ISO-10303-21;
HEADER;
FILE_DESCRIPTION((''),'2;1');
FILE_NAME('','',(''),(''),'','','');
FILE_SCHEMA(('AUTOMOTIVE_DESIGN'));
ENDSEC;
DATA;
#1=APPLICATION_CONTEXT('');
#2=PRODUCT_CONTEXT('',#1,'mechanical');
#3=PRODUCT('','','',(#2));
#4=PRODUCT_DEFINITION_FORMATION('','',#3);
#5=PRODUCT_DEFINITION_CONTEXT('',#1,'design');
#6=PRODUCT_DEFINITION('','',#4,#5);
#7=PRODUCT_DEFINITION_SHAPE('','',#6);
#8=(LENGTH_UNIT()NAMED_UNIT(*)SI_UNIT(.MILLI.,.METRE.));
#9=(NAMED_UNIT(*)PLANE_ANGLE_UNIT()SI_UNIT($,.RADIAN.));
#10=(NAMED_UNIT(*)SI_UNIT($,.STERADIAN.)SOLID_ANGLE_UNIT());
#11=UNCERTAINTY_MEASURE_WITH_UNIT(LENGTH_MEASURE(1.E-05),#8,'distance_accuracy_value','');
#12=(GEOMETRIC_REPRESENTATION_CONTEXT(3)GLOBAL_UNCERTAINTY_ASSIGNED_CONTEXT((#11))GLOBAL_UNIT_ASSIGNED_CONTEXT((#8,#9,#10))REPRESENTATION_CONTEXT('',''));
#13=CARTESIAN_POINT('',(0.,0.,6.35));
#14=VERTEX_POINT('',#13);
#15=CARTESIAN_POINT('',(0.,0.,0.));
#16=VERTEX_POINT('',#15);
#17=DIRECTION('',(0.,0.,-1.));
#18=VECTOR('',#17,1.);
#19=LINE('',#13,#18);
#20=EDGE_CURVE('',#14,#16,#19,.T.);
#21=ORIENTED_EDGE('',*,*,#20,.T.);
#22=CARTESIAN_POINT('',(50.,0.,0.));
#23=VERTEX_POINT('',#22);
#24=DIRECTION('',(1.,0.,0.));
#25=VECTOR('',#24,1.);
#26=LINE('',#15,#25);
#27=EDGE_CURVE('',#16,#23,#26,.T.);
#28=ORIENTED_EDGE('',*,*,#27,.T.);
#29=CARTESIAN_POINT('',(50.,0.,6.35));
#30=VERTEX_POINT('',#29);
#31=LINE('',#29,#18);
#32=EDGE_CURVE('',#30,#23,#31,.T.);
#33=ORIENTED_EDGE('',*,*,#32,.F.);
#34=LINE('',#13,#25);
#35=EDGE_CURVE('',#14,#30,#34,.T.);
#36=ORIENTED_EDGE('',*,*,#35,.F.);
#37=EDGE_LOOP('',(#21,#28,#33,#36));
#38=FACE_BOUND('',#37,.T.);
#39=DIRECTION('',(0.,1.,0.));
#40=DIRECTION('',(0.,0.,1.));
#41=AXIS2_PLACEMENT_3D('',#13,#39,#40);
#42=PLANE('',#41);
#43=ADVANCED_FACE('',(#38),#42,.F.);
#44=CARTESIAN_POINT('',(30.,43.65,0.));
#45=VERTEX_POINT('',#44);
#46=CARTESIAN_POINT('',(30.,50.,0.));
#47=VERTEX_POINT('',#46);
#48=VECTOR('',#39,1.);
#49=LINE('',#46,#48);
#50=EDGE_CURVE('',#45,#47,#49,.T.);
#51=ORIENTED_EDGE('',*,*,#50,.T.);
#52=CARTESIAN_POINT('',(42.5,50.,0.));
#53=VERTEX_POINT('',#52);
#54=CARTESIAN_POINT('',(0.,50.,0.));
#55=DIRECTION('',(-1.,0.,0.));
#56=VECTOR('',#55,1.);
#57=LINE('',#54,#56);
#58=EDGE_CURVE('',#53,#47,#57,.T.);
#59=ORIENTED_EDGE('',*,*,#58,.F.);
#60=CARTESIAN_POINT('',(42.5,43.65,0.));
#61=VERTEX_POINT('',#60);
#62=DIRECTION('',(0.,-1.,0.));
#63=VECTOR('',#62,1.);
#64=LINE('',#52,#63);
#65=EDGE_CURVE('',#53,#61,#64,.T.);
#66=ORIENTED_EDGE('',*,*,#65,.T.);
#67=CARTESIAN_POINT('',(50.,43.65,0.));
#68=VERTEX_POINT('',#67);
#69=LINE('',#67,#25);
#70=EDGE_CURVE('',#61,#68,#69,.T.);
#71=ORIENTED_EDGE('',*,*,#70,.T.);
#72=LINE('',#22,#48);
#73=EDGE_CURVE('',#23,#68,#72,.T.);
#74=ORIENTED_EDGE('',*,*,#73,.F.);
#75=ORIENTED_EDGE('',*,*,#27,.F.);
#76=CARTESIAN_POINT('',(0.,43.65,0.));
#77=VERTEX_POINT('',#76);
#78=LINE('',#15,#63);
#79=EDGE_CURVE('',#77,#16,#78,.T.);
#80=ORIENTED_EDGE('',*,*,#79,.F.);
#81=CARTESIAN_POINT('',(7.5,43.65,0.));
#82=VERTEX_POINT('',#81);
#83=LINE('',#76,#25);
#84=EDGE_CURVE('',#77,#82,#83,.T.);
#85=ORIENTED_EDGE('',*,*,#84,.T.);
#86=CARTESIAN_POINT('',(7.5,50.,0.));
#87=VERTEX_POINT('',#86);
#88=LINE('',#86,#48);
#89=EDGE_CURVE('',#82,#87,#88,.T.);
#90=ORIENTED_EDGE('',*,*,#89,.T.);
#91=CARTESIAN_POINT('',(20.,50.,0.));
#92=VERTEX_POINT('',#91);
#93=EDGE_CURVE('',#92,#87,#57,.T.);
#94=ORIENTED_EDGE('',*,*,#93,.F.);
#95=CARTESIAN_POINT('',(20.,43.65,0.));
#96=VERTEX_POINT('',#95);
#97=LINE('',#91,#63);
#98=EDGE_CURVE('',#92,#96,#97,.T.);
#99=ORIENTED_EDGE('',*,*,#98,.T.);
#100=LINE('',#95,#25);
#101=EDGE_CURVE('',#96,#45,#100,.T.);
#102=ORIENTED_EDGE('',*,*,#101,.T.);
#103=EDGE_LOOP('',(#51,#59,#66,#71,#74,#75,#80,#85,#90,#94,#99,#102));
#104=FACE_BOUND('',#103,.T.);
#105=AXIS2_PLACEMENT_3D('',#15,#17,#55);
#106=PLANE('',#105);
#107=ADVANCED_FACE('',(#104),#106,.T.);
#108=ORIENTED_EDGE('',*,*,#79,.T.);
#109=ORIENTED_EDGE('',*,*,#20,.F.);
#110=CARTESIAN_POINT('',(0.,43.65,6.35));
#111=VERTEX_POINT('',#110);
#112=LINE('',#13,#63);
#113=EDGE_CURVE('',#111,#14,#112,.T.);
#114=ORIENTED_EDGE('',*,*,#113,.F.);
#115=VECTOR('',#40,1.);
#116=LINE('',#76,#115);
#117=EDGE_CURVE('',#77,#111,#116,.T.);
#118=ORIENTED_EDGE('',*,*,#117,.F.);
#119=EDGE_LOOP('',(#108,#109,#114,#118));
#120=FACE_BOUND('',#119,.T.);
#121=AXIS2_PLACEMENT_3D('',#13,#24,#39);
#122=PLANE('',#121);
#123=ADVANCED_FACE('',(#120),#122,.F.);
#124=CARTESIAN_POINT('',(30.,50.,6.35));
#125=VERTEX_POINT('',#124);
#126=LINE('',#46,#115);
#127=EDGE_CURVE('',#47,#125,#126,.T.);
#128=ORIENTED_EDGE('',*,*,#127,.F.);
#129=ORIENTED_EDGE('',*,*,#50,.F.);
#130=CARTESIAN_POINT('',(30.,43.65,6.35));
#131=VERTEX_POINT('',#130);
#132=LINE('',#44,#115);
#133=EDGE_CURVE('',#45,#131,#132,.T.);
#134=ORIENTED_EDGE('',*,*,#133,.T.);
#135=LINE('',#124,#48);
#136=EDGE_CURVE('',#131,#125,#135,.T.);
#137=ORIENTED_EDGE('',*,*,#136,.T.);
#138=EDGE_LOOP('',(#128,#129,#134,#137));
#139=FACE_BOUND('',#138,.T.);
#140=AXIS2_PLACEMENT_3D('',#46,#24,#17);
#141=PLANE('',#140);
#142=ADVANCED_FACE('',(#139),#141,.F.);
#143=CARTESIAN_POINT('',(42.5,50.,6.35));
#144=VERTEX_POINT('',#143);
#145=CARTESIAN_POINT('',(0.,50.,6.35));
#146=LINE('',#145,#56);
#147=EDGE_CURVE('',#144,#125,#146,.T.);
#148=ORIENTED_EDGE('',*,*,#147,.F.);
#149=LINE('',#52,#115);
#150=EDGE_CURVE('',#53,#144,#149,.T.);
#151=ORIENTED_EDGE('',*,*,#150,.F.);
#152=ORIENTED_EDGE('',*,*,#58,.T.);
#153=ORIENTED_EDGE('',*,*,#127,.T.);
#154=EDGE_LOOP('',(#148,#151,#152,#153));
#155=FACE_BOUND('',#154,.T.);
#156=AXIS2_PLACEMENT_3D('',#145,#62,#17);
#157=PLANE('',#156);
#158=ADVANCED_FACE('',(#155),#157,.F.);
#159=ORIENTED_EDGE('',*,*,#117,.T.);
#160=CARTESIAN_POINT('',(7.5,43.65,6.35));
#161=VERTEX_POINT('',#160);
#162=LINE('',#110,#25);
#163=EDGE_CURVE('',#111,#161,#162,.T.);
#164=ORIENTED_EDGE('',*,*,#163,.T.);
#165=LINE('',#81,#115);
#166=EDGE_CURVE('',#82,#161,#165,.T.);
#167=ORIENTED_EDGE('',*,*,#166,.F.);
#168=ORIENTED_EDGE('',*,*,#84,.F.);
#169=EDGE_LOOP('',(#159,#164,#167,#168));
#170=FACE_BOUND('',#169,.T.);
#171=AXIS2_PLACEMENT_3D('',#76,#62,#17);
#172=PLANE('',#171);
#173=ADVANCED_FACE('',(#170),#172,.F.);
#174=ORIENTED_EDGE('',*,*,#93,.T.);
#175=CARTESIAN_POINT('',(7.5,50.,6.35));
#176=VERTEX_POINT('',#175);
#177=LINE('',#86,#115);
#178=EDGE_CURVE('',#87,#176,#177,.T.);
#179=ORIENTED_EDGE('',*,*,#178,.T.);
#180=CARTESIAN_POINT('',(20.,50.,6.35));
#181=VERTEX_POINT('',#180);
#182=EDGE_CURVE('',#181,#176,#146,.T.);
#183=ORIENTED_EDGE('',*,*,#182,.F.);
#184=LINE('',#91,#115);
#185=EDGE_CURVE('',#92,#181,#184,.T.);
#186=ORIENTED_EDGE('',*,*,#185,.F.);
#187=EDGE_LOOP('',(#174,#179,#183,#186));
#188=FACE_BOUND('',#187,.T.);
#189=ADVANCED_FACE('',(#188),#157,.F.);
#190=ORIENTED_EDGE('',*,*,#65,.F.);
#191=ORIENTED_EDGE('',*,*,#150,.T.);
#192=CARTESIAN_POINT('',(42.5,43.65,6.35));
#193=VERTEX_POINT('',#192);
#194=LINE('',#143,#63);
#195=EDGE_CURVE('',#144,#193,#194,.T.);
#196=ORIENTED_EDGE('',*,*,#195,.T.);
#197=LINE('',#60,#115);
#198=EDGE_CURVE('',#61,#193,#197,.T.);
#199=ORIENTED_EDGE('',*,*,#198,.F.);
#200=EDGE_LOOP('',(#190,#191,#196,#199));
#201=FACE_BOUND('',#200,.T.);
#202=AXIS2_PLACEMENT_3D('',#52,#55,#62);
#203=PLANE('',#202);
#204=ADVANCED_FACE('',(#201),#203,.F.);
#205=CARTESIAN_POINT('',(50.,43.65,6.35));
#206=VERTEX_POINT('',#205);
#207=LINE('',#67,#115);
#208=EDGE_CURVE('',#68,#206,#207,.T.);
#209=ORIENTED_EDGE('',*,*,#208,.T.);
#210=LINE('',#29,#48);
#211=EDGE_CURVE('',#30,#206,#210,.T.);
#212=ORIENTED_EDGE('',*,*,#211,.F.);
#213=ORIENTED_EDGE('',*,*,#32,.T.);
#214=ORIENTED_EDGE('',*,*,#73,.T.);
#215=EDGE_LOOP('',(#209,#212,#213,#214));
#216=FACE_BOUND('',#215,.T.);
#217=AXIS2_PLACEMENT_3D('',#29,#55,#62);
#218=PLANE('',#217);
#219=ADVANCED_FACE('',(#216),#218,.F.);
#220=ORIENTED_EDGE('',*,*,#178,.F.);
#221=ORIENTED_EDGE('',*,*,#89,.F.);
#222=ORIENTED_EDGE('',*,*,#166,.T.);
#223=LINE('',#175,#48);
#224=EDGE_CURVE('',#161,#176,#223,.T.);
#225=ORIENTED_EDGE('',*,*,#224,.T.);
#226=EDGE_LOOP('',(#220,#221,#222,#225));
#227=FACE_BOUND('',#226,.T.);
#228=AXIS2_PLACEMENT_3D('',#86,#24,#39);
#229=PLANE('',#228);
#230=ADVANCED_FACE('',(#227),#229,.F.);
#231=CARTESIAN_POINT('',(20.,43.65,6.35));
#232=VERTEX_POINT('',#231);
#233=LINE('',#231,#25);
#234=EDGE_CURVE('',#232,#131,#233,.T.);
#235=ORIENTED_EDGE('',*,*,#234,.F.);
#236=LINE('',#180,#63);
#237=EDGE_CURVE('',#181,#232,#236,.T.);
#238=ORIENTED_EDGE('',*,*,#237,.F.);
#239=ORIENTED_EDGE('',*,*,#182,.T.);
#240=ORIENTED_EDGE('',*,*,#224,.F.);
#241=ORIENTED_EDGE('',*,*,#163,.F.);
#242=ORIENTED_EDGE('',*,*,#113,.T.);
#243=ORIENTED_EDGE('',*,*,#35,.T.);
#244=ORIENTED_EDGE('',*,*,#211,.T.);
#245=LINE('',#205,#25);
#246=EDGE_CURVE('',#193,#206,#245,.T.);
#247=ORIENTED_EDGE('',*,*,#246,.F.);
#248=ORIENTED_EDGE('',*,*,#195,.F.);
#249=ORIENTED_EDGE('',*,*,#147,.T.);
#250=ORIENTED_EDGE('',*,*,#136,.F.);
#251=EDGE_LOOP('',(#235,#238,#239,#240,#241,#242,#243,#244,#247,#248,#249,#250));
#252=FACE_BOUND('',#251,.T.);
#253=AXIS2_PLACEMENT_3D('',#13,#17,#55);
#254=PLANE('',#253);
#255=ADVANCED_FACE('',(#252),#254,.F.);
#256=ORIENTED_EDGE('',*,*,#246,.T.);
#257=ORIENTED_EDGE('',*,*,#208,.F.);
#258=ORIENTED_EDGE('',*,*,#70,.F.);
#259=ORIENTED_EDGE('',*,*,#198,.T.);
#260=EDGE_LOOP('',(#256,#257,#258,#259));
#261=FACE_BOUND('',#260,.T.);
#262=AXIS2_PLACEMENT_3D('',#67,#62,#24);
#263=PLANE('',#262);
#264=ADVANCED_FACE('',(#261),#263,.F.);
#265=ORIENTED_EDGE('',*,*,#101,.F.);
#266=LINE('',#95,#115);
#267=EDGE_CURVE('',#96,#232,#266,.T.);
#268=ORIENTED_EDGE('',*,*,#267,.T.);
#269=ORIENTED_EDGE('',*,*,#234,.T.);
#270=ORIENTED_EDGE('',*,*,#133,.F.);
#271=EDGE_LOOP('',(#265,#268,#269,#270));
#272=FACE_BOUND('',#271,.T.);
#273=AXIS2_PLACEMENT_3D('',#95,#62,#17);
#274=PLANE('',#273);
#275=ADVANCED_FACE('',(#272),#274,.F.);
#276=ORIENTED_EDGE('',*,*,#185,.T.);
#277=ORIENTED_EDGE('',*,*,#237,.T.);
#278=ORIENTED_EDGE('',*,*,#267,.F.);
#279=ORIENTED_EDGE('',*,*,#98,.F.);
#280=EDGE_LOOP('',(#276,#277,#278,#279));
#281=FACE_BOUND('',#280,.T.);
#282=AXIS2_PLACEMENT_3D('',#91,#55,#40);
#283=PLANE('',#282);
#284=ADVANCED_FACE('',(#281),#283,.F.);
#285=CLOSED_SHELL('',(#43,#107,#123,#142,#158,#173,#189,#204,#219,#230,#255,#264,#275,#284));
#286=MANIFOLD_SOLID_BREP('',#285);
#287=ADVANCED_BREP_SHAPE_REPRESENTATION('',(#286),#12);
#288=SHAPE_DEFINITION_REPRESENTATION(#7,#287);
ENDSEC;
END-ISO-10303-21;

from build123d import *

# Parameters (mm, degrees)
SKETCH1_W           = 50
SKETCH1_H           = 50
BOSS_EXTRUDE1_DEPTH = 6.35
SKETCH2_W           = 7.5
SKETCH2_H           = 6.35
SKETCH2_W_2         = 10
CUT_EXTRUDE1_DEPTH  = 6.35


with BuildPart() as part:
    # Sketch1 → Boss-Extrude1 (new body)
    with BuildSketch(Plane.XY):
        with Locations((25, 25)):
            Rectangle(SKETCH1_W, SKETCH1_H)
    extrude(amount=BOSS_EXTRUDE1_DEPTH)

    # Sketch2 → Cut-Extrude1 (cut)
    with BuildSketch(Plane.XY.offset(6.35)):
        with Locations((46.25, 46.825)):
            Rectangle(SKETCH2_W, SKETCH2_H)
        with Locations((3.75, 46.825)):
            Rectangle(SKETCH2_W, SKETCH2_H)
        with Locations((25, 46.825)):
            Rectangle(SKETCH2_W_2, SKETCH2_H)
    extrude(amount=-CUT_EXTRUDE1_DEPTH, mode=Mode.SUBTRACT)


solid = part.part
